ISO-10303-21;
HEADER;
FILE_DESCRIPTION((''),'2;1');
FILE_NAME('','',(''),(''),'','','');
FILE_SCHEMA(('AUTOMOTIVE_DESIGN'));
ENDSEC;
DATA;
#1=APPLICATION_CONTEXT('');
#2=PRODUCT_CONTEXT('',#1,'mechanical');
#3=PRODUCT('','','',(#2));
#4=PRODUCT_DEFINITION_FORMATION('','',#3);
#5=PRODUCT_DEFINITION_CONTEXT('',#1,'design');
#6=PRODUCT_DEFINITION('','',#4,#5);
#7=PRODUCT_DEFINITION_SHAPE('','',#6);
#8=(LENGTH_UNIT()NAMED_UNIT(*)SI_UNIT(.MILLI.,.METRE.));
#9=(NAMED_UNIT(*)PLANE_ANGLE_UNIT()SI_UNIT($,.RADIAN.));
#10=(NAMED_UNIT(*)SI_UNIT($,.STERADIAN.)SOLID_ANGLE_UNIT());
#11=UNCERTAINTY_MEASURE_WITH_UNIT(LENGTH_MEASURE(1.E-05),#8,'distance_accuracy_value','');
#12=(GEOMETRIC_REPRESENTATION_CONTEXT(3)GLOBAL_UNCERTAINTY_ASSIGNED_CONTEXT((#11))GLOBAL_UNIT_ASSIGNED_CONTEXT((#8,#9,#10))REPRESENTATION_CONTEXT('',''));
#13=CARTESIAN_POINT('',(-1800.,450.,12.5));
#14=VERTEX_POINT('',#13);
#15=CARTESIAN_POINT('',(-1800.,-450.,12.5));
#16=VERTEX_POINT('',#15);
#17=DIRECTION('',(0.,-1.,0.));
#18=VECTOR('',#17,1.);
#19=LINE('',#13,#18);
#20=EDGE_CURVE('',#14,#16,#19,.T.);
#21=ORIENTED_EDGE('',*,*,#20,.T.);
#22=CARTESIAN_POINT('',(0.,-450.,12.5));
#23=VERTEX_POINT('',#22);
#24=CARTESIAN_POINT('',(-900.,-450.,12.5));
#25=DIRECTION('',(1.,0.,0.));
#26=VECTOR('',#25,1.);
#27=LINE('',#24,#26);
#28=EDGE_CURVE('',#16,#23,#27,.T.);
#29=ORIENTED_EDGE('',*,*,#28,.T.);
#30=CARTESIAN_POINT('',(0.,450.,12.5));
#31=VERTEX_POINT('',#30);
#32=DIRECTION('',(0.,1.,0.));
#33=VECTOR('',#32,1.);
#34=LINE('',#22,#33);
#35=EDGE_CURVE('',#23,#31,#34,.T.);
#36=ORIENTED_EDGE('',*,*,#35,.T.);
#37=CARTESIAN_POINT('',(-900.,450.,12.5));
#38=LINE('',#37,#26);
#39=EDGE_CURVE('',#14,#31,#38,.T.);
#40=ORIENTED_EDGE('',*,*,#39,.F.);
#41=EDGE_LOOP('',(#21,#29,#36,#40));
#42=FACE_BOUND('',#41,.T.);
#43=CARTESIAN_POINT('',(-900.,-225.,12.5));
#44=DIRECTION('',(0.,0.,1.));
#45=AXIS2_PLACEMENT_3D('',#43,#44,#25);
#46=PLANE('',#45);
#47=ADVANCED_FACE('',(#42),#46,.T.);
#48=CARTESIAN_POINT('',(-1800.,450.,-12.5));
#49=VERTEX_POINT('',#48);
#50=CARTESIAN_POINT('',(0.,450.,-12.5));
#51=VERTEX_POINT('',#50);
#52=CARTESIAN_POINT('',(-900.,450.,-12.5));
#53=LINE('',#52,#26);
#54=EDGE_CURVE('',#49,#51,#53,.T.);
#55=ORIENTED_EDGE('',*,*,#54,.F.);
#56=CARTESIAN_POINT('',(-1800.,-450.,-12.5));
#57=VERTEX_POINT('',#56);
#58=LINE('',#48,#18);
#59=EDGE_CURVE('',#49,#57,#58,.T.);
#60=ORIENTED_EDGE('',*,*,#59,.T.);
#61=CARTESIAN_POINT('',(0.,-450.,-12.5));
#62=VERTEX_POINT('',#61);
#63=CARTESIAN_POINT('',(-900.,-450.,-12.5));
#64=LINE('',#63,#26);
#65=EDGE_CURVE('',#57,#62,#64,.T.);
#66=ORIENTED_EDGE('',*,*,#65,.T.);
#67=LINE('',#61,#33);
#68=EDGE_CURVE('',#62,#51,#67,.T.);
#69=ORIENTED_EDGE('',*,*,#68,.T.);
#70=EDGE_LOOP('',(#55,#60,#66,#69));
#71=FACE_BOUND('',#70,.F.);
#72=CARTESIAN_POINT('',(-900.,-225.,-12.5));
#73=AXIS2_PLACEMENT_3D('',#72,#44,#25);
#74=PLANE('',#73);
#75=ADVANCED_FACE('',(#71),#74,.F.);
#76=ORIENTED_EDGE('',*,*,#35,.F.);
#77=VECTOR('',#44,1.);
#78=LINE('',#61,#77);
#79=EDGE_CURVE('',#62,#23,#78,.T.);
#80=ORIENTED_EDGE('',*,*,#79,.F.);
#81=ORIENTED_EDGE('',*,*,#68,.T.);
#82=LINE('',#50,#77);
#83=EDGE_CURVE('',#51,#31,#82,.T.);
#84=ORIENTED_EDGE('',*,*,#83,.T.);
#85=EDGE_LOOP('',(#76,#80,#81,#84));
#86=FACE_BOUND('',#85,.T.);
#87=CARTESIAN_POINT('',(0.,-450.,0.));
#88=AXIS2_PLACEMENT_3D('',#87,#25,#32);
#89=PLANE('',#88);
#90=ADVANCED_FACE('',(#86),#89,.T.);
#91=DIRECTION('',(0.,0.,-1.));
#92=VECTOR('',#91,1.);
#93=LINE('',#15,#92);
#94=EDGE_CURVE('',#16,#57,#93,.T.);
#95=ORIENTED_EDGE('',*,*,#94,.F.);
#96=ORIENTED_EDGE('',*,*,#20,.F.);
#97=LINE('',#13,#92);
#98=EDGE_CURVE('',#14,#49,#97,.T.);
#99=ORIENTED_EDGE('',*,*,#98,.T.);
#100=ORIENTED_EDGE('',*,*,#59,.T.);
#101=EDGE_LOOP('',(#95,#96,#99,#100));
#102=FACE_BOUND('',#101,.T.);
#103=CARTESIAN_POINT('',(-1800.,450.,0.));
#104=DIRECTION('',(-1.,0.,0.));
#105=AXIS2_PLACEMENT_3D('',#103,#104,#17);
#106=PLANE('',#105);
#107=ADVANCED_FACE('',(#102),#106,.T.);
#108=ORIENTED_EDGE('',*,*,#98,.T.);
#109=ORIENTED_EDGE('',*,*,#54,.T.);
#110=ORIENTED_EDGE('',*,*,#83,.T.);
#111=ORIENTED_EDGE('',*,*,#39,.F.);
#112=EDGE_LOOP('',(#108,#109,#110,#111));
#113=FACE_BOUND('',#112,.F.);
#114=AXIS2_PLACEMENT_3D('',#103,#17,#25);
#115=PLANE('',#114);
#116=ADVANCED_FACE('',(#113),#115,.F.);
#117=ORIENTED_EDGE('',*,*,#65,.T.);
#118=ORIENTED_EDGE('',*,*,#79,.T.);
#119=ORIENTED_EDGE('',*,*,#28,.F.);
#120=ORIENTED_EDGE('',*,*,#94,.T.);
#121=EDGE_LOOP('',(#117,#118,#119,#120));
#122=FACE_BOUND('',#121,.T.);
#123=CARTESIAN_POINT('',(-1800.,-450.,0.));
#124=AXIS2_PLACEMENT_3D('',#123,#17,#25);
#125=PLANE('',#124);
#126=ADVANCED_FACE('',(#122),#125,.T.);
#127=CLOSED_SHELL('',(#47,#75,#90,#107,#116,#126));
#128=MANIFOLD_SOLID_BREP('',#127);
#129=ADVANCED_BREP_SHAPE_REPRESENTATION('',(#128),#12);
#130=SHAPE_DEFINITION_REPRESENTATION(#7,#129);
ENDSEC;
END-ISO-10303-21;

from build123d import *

# Parameters (mm, degrees)
F0_W     = 1800
F0_H     = 450
F1_DEPTH = 12.5


with BuildPart() as f1:
    # F0 (on Top) → F1 (new body, symmetric)
    with BuildSketch(Plane.XY):
        with Locations((-900, -225)):
            Rectangle(F0_W, F0_H)
        with Locations((-900, 225)):
            Rectangle(F0_W, F0_H)
    extrude(amount=F1_DEPTH, both=True)


solid = f1.part
